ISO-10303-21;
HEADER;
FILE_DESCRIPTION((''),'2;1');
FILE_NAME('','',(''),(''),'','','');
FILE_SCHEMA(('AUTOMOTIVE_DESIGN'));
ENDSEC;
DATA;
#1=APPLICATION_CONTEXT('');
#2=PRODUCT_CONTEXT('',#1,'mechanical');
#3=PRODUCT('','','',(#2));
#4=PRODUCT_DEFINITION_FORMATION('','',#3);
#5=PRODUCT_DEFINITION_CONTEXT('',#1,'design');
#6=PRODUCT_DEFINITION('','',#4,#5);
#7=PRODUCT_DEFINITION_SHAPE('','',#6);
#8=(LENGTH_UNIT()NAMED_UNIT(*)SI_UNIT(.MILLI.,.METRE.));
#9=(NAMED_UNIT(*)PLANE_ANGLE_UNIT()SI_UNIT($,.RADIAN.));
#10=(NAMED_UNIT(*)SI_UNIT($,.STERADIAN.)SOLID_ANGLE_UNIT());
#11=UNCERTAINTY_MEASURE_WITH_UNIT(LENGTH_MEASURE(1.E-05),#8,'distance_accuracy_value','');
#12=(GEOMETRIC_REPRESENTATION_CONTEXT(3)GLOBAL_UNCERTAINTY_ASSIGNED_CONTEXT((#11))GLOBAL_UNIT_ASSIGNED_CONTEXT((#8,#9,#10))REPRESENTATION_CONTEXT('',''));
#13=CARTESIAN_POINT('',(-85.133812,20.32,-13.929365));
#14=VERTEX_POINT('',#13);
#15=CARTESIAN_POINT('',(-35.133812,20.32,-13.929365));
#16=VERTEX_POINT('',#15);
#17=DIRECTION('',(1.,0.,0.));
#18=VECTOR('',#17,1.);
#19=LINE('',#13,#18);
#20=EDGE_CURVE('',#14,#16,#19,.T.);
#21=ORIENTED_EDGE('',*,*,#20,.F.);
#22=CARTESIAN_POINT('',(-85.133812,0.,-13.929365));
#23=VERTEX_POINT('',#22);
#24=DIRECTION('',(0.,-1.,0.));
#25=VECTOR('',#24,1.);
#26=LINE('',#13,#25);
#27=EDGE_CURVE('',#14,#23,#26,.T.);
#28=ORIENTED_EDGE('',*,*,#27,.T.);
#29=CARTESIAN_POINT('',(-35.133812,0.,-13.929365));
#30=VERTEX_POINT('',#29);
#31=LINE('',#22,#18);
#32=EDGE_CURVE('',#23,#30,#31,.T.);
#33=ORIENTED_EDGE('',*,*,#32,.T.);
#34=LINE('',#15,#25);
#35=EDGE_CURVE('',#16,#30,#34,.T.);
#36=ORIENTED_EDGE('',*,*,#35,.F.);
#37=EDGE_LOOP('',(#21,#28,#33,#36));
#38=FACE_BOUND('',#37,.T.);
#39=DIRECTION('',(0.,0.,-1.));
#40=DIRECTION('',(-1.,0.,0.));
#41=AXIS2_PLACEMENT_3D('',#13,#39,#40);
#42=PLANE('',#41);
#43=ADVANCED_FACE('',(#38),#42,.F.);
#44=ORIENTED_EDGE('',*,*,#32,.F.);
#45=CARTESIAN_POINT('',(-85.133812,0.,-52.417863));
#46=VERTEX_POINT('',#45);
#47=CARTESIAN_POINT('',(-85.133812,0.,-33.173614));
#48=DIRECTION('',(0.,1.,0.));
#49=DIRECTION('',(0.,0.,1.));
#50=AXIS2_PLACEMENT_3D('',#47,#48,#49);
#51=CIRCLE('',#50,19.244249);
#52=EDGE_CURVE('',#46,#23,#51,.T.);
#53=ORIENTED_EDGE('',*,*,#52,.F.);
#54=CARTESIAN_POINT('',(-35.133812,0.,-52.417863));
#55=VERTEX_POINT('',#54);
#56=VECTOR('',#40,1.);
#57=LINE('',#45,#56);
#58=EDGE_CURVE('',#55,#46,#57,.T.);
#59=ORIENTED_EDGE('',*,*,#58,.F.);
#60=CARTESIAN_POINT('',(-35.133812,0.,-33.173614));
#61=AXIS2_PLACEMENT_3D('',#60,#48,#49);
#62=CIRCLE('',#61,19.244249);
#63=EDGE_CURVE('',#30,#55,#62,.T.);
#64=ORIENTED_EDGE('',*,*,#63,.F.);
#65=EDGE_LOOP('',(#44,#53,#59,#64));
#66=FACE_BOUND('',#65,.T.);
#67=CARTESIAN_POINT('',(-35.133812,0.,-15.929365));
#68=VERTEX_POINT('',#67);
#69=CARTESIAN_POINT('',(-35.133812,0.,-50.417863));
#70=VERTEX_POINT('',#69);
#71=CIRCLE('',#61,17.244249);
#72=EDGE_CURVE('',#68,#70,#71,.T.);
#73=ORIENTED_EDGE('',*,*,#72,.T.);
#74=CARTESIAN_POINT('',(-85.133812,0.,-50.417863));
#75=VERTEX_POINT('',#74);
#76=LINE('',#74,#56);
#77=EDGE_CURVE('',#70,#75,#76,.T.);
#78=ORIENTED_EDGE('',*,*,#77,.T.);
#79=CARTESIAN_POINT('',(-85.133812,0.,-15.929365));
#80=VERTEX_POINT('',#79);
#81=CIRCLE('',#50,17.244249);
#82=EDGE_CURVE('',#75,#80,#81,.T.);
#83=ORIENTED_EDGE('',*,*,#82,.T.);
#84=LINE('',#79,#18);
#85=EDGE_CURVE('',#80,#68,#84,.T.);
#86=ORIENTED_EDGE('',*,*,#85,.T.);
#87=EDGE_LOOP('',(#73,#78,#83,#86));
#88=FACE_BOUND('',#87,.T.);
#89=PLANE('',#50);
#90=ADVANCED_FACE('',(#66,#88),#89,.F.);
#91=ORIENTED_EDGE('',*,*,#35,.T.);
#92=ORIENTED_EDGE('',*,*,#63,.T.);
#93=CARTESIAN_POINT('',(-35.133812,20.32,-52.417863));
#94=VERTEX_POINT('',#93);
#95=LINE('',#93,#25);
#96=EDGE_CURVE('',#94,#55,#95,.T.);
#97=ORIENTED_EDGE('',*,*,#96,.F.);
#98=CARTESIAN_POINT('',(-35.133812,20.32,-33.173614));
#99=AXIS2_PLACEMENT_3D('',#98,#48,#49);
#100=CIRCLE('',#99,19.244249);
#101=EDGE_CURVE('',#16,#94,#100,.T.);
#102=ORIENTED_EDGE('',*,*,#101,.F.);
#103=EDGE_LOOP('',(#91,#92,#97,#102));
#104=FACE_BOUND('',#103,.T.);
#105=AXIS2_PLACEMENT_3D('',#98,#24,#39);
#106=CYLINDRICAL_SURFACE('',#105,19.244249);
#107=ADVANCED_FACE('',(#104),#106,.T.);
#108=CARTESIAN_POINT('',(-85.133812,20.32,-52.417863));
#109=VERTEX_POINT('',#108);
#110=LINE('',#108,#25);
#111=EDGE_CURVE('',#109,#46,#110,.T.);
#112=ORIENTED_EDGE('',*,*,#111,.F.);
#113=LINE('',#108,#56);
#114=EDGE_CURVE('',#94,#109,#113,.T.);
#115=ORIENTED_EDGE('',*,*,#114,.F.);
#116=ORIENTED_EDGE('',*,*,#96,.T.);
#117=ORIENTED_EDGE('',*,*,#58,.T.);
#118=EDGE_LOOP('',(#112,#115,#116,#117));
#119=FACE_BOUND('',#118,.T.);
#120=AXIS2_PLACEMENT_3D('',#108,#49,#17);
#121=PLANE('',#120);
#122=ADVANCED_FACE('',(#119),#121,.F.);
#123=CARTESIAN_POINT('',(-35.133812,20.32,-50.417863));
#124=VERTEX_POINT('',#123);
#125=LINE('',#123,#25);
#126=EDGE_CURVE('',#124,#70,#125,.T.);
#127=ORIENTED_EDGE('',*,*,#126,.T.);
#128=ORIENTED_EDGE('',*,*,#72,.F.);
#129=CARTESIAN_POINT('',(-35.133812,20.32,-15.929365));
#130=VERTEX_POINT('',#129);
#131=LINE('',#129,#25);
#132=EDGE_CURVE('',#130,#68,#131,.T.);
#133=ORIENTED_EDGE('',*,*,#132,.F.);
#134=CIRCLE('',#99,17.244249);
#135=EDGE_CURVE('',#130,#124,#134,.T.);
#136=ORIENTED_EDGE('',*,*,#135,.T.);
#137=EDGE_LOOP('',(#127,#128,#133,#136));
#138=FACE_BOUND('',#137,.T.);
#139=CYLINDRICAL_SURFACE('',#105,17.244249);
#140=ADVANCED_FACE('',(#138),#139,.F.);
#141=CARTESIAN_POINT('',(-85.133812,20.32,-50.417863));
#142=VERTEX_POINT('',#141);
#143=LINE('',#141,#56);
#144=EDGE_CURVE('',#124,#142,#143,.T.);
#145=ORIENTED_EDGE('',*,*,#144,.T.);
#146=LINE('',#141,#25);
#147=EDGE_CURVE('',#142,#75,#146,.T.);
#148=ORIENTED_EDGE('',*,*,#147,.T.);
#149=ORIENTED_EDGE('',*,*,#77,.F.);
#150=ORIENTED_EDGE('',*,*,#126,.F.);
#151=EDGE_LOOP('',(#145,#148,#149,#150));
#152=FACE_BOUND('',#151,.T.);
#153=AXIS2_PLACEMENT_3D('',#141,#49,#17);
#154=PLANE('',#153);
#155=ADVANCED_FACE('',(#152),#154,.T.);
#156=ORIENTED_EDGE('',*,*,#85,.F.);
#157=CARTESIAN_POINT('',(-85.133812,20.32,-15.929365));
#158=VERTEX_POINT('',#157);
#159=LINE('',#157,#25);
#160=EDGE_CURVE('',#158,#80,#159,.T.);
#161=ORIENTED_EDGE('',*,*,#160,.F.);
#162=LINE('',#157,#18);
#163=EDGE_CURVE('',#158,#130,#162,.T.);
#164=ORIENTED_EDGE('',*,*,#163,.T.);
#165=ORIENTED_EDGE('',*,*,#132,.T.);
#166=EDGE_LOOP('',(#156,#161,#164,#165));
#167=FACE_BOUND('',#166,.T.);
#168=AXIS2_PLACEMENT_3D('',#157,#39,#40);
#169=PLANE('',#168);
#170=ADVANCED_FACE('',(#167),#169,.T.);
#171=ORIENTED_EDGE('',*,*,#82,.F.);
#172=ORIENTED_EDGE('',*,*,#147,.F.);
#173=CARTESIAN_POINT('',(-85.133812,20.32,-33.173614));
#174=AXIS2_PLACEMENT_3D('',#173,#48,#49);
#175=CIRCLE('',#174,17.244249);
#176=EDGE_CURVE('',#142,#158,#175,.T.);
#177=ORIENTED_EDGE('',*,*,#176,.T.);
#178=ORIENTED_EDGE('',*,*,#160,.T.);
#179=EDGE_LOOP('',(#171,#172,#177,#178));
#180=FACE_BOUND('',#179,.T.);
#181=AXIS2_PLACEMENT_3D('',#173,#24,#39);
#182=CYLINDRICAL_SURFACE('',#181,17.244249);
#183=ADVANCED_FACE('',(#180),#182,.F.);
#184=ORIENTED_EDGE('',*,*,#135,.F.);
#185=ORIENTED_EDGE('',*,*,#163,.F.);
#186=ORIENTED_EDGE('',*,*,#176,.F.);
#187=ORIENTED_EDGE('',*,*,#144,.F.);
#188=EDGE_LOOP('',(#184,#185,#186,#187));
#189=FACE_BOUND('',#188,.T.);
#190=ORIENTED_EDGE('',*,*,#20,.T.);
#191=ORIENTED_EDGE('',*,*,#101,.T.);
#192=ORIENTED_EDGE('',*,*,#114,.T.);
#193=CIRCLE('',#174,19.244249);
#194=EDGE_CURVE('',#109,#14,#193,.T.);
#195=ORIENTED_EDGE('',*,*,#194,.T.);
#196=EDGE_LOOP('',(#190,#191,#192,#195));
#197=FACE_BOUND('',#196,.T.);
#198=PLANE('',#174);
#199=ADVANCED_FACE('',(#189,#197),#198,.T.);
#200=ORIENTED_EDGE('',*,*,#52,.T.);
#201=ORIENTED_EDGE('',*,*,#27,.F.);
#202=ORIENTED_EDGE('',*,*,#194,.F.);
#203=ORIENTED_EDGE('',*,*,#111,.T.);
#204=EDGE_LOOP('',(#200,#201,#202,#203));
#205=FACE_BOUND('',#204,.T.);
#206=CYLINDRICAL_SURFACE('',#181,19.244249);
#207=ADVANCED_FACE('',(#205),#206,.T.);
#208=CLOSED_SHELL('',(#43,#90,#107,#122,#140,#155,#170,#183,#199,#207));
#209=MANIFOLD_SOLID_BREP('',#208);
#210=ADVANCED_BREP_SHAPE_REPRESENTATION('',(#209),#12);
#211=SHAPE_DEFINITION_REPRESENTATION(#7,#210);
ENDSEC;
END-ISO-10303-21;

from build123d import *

# Parameters (mm, degrees)
BOSS_EXTRUDE1_DEPTH = 20.32


with BuildPart() as part:
    # Sketch1 → Boss-Extrude1 (new body)
    with BuildSketch(Plane(origin=(0, 0, 0), x_dir=(1, 0, 0), z_dir=(0, 1, 0))):
        with BuildLine():
            Line((-85.13381171, 52.417862554), (-35.13381171, 52.417862554))
            ThreePointArc((-35.13381171, 52.417862554), (-15.889562986, 33.17361383), (-35.13381171, 13.929365106))
            Line((-35.13381171, 13.929365106), (-85.13381171, 13.929365106))
            ThreePointArc((-85.13381171, 13.929365106), (-104.378060434, 33.17361383), (-85.13381171, 52.417862554))
        make_face()
        with BuildLine():
            Line((-85.13381171, 50.417862554), (-35.13381171, 50.417862554))
            ThreePointArc((-35.13381171, 50.417862554), (-17.889562986, 33.17361383), (-35.13381171, 15.929365106))
            Line((-35.13381171, 15.929365106), (-85.13381171, 15.929365106))
            ThreePointArc((-85.13381171, 15.929365106), (-102.378060434, 33.17361383), (-85.13381171, 50.417862554))
        make_face(mode=Mode.SUBTRACT)
    extrude(amount=BOSS_EXTRUDE1_DEPTH)


solid = part.part
